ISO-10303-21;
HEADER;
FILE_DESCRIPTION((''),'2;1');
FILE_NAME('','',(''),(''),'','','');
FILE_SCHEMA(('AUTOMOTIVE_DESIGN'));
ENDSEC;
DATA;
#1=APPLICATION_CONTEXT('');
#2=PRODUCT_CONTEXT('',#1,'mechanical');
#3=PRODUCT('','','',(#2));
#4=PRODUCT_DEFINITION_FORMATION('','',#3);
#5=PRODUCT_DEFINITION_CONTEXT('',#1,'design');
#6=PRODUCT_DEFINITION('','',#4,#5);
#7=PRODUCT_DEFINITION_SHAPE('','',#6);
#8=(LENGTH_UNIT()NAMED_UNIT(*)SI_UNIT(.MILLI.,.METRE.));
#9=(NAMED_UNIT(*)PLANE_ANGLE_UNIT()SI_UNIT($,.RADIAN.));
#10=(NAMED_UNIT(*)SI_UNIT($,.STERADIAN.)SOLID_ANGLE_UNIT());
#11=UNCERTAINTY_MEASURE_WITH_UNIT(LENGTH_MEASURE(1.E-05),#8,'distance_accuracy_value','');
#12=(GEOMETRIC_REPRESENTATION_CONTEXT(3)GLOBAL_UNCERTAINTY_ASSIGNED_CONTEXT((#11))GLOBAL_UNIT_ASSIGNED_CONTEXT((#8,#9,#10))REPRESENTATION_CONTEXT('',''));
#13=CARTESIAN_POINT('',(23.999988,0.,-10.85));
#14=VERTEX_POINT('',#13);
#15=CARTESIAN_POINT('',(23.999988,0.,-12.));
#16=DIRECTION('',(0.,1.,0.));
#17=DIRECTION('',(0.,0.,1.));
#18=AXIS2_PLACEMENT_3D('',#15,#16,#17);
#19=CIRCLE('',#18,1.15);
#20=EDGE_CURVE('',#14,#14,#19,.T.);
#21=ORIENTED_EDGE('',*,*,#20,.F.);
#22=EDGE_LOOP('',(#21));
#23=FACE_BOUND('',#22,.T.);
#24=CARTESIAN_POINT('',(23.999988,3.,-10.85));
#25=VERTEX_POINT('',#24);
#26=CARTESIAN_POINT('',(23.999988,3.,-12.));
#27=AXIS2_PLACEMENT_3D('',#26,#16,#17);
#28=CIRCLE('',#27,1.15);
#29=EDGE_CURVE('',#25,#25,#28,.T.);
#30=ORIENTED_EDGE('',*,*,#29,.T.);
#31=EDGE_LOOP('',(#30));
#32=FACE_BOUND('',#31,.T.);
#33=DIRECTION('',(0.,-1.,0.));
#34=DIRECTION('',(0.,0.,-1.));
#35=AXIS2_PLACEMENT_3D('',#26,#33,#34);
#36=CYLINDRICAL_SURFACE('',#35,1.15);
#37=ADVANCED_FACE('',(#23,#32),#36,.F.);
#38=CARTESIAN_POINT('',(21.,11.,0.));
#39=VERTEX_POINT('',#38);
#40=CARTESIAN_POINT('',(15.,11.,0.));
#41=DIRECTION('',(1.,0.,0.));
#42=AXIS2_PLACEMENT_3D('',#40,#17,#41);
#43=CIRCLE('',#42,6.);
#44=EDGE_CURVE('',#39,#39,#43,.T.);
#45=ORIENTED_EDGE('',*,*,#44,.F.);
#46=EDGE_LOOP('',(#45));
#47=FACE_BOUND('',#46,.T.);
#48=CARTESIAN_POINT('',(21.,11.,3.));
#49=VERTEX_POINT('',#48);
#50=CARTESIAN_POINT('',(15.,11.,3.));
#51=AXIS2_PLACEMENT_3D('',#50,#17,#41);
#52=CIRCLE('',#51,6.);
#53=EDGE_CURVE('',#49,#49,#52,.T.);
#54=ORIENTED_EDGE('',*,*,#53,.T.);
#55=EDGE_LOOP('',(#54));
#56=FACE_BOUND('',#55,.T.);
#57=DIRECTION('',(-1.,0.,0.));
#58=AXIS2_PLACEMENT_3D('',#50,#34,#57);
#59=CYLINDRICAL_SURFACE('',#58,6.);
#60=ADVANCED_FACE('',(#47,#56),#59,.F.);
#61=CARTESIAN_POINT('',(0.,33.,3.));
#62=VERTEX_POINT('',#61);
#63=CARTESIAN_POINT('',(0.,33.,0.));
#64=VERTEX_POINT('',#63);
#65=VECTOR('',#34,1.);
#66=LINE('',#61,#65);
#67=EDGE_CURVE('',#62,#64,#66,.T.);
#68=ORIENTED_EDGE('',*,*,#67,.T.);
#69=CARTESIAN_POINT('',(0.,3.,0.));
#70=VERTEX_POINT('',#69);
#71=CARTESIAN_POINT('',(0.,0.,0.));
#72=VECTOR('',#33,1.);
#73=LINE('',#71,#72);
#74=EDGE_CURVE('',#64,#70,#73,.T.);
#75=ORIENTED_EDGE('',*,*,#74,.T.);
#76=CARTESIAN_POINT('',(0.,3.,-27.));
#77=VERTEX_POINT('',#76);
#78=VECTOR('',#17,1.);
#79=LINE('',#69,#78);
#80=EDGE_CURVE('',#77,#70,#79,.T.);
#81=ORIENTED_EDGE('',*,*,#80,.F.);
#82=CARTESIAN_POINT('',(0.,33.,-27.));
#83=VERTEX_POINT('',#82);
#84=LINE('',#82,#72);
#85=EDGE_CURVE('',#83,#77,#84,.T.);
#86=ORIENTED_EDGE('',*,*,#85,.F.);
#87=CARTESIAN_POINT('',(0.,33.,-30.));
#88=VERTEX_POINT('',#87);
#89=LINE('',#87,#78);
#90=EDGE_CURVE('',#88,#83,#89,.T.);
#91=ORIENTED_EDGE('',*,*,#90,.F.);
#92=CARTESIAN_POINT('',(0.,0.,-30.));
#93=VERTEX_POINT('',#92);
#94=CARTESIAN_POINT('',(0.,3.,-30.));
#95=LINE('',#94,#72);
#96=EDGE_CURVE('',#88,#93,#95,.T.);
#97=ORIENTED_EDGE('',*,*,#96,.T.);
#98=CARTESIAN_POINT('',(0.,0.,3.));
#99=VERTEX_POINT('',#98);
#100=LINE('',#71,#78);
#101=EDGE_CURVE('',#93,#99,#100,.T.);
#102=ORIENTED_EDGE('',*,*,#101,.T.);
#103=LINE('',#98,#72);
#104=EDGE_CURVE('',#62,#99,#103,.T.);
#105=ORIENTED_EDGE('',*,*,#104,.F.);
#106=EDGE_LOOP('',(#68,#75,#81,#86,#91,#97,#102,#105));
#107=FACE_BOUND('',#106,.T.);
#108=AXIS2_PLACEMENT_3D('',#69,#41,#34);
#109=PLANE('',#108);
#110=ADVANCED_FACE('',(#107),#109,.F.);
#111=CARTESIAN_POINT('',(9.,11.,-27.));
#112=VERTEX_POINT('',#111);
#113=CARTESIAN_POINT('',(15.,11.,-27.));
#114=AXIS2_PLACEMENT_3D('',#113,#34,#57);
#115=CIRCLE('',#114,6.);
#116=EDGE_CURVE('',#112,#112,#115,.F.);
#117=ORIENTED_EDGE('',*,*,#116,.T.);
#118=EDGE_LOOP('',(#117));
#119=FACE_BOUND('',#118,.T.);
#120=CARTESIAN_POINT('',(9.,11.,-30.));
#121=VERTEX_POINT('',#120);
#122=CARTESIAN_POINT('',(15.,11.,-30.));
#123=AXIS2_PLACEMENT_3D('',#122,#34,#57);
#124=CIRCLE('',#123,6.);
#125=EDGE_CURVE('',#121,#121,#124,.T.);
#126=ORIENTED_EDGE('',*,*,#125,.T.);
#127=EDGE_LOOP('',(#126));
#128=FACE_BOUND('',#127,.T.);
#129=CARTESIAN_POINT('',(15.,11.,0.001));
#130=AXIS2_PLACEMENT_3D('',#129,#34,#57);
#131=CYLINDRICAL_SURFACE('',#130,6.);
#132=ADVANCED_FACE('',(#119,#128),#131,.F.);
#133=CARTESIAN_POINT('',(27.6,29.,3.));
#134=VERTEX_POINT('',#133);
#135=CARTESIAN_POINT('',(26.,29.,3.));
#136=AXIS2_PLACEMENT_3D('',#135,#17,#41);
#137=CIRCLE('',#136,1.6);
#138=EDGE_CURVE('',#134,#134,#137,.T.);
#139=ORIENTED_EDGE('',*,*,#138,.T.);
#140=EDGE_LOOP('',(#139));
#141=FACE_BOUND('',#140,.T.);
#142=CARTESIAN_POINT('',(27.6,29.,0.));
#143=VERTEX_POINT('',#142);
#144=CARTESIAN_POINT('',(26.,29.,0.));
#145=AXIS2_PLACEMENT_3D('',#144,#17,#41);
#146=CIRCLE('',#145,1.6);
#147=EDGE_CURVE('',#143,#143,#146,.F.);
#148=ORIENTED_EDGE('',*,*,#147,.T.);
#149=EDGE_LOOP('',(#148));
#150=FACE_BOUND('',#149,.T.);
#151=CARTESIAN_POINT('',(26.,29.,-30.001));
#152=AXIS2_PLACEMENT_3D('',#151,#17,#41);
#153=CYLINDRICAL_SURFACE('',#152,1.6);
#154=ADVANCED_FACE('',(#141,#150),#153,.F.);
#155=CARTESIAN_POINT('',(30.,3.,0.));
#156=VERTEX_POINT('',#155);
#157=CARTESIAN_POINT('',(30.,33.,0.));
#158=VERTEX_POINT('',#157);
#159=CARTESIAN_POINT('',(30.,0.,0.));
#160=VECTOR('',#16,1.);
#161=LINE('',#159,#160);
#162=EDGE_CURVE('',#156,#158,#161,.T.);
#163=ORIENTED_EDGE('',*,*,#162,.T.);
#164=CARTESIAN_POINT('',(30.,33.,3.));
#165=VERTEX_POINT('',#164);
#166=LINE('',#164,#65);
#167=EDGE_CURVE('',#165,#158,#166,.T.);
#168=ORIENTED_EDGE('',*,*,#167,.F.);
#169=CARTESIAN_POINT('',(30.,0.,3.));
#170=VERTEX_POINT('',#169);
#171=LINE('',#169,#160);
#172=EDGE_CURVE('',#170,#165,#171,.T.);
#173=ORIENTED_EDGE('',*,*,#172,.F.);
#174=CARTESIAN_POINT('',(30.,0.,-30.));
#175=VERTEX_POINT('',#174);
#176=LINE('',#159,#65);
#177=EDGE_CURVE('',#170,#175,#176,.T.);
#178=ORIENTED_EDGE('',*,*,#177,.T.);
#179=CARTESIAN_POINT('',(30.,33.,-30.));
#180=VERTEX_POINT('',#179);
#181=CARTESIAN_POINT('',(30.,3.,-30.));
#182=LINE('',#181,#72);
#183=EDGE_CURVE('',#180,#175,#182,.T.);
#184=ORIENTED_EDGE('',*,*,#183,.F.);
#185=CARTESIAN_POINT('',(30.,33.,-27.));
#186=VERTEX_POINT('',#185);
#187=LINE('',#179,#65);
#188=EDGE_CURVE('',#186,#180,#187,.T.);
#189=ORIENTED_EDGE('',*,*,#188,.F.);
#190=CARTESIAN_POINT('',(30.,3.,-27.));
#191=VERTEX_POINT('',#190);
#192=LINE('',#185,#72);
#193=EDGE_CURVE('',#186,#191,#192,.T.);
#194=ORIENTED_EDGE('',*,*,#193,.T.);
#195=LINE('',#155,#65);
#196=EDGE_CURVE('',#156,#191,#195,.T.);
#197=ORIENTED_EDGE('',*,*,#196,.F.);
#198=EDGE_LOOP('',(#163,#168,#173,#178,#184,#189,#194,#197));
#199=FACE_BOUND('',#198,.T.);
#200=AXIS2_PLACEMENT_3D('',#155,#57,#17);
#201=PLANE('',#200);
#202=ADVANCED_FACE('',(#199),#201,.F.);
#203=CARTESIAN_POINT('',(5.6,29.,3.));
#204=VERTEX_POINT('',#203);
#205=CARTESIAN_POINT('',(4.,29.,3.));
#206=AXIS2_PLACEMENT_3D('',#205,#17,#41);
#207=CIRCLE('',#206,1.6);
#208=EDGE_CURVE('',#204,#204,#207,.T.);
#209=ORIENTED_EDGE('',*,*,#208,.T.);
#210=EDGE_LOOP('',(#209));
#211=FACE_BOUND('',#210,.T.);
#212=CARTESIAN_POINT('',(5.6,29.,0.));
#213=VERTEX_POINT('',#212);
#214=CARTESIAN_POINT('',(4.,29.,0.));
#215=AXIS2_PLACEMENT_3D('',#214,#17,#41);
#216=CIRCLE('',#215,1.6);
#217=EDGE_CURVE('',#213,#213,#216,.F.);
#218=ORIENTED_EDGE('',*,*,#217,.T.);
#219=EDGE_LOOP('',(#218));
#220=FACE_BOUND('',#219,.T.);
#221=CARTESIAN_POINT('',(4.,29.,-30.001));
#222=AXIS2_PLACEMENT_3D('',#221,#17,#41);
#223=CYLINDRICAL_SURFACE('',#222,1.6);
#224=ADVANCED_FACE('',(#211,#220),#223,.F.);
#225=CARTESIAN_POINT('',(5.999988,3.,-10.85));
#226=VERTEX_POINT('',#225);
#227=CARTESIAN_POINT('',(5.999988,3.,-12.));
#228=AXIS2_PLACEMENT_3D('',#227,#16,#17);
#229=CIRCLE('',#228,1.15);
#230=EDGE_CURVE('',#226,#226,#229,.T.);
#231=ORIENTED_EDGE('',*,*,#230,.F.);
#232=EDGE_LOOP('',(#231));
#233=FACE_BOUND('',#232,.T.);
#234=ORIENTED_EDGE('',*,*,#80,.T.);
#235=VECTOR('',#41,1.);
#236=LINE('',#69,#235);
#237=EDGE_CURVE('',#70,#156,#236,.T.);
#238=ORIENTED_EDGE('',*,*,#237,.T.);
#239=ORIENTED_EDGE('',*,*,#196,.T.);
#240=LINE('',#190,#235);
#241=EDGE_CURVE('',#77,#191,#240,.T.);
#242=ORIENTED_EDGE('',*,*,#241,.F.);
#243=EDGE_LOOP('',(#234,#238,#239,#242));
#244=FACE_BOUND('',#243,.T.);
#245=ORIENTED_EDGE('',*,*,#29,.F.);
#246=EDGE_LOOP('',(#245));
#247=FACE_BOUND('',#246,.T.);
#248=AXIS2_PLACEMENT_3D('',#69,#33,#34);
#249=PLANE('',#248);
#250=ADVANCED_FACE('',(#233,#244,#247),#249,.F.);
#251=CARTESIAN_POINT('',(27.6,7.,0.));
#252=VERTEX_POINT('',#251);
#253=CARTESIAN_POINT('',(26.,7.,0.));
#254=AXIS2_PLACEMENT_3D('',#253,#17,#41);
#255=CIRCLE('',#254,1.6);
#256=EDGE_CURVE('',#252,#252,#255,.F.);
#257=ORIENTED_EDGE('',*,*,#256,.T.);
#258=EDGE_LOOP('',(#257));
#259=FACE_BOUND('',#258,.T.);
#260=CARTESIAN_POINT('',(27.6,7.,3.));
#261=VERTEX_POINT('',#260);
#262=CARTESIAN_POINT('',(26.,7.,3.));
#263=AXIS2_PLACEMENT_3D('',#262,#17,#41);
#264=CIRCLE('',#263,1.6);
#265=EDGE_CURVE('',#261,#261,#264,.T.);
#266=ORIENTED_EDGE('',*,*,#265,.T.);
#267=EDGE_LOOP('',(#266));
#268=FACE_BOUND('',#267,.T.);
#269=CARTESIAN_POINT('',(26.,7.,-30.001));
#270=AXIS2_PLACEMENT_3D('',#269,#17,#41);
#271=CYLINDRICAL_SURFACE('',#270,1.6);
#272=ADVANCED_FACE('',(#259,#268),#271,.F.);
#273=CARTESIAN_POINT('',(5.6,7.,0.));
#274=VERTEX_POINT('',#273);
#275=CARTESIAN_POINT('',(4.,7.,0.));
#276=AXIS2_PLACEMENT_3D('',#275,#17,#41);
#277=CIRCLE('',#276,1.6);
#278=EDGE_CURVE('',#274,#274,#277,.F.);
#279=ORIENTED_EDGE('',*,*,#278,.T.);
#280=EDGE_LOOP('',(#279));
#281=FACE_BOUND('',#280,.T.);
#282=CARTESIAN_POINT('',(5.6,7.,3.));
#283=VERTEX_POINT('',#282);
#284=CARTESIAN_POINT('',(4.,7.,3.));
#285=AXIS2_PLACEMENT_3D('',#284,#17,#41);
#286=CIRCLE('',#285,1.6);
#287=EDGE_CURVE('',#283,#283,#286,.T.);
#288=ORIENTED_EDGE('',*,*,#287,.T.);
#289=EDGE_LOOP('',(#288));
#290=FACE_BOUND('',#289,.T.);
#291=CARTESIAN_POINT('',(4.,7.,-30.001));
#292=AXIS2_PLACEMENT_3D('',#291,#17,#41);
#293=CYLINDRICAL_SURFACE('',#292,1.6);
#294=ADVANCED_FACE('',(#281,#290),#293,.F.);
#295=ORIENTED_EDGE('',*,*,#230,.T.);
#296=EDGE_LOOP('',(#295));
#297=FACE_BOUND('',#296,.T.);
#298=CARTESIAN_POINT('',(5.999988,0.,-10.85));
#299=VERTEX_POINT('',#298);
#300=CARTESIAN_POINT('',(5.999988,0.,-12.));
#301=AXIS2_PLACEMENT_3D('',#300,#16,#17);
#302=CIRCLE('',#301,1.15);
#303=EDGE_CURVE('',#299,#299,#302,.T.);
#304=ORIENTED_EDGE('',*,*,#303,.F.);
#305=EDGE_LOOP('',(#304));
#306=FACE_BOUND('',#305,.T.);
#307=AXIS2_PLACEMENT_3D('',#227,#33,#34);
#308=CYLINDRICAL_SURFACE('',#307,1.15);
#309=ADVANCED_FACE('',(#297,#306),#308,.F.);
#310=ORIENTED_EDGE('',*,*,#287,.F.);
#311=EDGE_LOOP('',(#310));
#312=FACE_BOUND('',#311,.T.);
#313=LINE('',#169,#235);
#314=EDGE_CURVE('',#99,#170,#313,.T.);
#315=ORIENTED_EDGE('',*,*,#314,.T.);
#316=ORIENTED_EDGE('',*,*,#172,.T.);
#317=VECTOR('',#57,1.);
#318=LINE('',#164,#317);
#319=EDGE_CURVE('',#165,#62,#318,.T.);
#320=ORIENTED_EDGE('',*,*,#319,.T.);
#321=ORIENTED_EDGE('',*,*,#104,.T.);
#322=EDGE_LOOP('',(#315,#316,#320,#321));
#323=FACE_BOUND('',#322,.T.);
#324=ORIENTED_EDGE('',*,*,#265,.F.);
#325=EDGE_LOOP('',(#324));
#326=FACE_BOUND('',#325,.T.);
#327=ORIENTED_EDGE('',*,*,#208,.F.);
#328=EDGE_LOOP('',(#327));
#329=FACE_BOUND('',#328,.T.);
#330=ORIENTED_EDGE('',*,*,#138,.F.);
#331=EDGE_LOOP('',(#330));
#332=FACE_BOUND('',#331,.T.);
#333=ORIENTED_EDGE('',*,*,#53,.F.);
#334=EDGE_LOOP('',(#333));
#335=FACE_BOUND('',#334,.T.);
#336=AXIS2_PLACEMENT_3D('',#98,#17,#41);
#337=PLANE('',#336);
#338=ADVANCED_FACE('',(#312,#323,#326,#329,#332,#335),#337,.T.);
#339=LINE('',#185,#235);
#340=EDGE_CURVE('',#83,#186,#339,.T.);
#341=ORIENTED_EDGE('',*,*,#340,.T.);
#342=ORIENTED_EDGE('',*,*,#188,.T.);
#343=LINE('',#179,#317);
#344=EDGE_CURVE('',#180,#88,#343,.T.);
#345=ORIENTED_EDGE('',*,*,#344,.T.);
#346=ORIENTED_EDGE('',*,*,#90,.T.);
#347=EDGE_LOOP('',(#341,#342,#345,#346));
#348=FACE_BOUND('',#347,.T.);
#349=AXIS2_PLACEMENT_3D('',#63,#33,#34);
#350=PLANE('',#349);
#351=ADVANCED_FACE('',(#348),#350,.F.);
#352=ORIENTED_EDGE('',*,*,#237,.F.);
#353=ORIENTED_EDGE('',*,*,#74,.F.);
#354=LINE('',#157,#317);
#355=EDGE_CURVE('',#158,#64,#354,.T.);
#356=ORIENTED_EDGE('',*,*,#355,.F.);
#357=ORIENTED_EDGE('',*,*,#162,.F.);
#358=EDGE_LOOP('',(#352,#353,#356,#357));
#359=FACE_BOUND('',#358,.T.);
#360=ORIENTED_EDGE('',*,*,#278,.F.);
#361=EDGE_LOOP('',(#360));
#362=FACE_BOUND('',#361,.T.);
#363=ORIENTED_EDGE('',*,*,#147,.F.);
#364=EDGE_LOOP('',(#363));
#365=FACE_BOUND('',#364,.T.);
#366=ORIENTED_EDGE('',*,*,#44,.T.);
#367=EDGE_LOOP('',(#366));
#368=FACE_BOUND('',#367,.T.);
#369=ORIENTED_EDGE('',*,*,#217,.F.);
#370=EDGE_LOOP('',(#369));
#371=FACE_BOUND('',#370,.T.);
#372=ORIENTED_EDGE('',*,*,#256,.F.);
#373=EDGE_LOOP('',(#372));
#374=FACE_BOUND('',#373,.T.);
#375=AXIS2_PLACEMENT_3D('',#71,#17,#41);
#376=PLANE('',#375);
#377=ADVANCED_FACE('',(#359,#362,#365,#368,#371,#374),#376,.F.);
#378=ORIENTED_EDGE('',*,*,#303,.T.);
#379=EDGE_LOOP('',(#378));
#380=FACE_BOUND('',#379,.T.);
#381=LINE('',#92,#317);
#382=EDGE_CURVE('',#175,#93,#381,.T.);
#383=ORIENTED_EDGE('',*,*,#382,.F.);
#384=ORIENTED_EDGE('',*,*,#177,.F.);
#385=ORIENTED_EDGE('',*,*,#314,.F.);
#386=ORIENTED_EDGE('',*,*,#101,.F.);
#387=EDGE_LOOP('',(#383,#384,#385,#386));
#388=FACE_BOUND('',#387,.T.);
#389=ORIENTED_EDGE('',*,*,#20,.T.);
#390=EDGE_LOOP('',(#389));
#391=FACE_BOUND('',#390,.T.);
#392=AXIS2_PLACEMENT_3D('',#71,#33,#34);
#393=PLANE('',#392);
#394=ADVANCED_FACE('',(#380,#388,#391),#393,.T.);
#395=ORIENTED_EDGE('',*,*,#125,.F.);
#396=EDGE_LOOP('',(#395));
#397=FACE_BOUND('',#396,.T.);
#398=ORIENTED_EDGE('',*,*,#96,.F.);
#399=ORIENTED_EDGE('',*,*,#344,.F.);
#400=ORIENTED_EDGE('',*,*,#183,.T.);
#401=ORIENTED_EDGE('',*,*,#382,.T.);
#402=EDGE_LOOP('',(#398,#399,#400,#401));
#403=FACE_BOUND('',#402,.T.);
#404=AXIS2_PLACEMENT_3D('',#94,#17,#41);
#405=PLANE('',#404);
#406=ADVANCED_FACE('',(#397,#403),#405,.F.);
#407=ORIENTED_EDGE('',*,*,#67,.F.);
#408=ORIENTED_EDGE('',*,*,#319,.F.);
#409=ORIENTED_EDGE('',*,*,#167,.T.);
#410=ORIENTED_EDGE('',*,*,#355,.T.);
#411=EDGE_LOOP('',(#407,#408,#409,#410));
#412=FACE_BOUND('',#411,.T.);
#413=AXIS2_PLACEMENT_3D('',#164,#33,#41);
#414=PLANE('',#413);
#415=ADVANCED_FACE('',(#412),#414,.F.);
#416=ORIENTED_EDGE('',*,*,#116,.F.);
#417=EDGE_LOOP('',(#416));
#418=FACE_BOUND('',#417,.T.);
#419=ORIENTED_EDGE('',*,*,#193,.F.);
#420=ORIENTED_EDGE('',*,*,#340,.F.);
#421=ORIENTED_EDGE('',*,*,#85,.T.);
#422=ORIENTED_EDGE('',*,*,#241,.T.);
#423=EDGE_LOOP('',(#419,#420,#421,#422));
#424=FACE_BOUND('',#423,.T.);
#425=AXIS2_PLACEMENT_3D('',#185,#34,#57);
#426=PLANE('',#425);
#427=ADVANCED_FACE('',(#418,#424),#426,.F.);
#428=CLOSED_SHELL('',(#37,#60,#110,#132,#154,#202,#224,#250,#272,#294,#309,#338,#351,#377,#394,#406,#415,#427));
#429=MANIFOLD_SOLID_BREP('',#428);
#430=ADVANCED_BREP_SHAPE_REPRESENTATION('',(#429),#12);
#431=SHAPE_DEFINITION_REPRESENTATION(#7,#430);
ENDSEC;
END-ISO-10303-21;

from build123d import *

# Parameters (mm, degrees)
SKETCH1_W           = 30
SKETCH1_H           = 30
SKETCH1_R           = 1.15
BOSS_EXTRUDE1_DEPTH = 3
SKETCH2_W           = 30
SKETCH2_H           = 3
BOSS_EXTRUDE2_DEPTH = 30
CUT_EXTRUDE1_REACH  = 55.749
SKETCH3_R           = 6
SKETCH4_W           = 30
SKETCH4_H           = 33
SKETCH4_R           = 6
BOSS_EXTRUDE3_DEPTH = 3
CUT_EXTRUDE3_REACH  = 57.48
SKETCH5_R           = 1.6


with BuildPart() as part:
    # Sketch1 → Boss-Extrude1 (new body)
    with BuildSketch(Plane(origin=(0, 0, 0), x_dir=(1, 0, 0), z_dir=(0, 1, 0))):
        with Locations((15, 15)):
            Rectangle(SKETCH1_W, SKETCH1_H)
        with Locations(Location((5.999988, 12, 0), (0, 0, 270))):
            Circle(SKETCH1_R, mode=Mode.SUBTRACT)
        with Locations(Location((23.999988, 12, 0), (0, 0, 270))):
            Circle(SKETCH1_R, mode=Mode.SUBTRACT)
    extrude(amount=BOSS_EXTRUDE1_DEPTH)

    # Sketch2 → Boss-Extrude2 (add)
    with BuildSketch(Plane(origin=(0, 3, 0), x_dir=(1, 0, 0), z_dir=(0, 1, 0))):
        with Locations((15, 28.5)):
            Rectangle(SKETCH2_W, SKETCH2_H)
    extrude(amount=BOSS_EXTRUDE2_DEPTH)

    # Sketch3 → Cut-Extrude1 (cut, up to next)
    with BuildSketch(Plane(origin=(0, 0, -30), x_dir=(-1, 0, 0), z_dir=(0, 0, -1)), mode=Mode.PRIVATE) as cut_extrude1_sk1:
        with Locations((-15, 11)):
            Circle(SKETCH3_R)
    cut_extrude1_tool1 = extrude(cut_extrude1_sk1.sketch, amount=-CUT_EXTRUDE1_REACH, mode=Mode.PRIVATE) & part.part
    add(cut_extrude1_tool1.solids().sort_by_distance((15, 11, -30))[0], mode=Mode.SUBTRACT)

    # Sketch4 → Boss-Extrude3 (add)
    with BuildSketch(Plane.XY):
        with Locations((15, 16.5)):
            Rectangle(SKETCH4_W, SKETCH4_H)
        with Locations(Location((15, 11, 0), (0, 0, 180))):
            Circle(SKETCH4_R, mode=Mode.SUBTRACT)
    extrude(amount=BOSS_EXTRUDE3_DEPTH)

    # Sketch5 → Cut-Extrude3 (cut, up to next)
    with BuildSketch(Plane.XY.offset(3), mode=Mode.PRIVATE) as cut_extrude3_sk1:
        with Locations((26, 7)):
            Circle(SKETCH5_R)
    cut_extrude3_tool1 = extrude(cut_extrude3_sk1.sketch, amount=-CUT_EXTRUDE3_REACH, mode=Mode.PRIVATE) & part.part
    # Sketch5 → Cut-Extrude3 (cut, up to next)
    with BuildSketch(Plane.XY.offset(3), mode=Mode.PRIVATE) as cut_extrude3_sk2:
        with Locations((4, 7)):
            Circle(SKETCH5_R)
    cut_extrude3_tool2 = extrude(cut_extrude3_sk2.sketch, amount=-CUT_EXTRUDE3_REACH, mode=Mode.PRIVATE) & part.part
    # Sketch5 → Cut-Extrude3 (cut, up to next)
    with BuildSketch(Plane.XY.offset(3), mode=Mode.PRIVATE) as cut_extrude3_sk3:
        with Locations((4, 29)):
            Circle(SKETCH5_R)
    cut_extrude3_tool3 = extrude(cut_extrude3_sk3.sketch, amount=-CUT_EXTRUDE3_REACH, mode=Mode.PRIVATE) & part.part
    # Sketch5 → Cut-Extrude3 (cut, up to next)
    with BuildSketch(Plane.XY.offset(3), mode=Mode.PRIVATE) as cut_extrude3_sk4:
        with Locations((26, 29)):
            Circle(SKETCH5_R)
    cut_extrude3_tool4 = extrude(cut_extrude3_sk4.sketch, amount=-CUT_EXTRUDE3_REACH, mode=Mode.PRIVATE) & part.part
    add(cut_extrude3_tool1.solids().sort_by_distance((26, 7, 3))[0], mode=Mode.SUBTRACT)
    add(cut_extrude3_tool2.solids().sort_by_distance((4, 7, 3))[0], mode=Mode.SUBTRACT)
    add(cut_extrude3_tool3.solids().sort_by_distance((4, 29, 3))[0], mode=Mode.SUBTRACT)
    add(cut_extrude3_tool4.solids().sort_by_distance((26, 29, 3))[0], mode=Mode.SUBTRACT)


solid = part.part
